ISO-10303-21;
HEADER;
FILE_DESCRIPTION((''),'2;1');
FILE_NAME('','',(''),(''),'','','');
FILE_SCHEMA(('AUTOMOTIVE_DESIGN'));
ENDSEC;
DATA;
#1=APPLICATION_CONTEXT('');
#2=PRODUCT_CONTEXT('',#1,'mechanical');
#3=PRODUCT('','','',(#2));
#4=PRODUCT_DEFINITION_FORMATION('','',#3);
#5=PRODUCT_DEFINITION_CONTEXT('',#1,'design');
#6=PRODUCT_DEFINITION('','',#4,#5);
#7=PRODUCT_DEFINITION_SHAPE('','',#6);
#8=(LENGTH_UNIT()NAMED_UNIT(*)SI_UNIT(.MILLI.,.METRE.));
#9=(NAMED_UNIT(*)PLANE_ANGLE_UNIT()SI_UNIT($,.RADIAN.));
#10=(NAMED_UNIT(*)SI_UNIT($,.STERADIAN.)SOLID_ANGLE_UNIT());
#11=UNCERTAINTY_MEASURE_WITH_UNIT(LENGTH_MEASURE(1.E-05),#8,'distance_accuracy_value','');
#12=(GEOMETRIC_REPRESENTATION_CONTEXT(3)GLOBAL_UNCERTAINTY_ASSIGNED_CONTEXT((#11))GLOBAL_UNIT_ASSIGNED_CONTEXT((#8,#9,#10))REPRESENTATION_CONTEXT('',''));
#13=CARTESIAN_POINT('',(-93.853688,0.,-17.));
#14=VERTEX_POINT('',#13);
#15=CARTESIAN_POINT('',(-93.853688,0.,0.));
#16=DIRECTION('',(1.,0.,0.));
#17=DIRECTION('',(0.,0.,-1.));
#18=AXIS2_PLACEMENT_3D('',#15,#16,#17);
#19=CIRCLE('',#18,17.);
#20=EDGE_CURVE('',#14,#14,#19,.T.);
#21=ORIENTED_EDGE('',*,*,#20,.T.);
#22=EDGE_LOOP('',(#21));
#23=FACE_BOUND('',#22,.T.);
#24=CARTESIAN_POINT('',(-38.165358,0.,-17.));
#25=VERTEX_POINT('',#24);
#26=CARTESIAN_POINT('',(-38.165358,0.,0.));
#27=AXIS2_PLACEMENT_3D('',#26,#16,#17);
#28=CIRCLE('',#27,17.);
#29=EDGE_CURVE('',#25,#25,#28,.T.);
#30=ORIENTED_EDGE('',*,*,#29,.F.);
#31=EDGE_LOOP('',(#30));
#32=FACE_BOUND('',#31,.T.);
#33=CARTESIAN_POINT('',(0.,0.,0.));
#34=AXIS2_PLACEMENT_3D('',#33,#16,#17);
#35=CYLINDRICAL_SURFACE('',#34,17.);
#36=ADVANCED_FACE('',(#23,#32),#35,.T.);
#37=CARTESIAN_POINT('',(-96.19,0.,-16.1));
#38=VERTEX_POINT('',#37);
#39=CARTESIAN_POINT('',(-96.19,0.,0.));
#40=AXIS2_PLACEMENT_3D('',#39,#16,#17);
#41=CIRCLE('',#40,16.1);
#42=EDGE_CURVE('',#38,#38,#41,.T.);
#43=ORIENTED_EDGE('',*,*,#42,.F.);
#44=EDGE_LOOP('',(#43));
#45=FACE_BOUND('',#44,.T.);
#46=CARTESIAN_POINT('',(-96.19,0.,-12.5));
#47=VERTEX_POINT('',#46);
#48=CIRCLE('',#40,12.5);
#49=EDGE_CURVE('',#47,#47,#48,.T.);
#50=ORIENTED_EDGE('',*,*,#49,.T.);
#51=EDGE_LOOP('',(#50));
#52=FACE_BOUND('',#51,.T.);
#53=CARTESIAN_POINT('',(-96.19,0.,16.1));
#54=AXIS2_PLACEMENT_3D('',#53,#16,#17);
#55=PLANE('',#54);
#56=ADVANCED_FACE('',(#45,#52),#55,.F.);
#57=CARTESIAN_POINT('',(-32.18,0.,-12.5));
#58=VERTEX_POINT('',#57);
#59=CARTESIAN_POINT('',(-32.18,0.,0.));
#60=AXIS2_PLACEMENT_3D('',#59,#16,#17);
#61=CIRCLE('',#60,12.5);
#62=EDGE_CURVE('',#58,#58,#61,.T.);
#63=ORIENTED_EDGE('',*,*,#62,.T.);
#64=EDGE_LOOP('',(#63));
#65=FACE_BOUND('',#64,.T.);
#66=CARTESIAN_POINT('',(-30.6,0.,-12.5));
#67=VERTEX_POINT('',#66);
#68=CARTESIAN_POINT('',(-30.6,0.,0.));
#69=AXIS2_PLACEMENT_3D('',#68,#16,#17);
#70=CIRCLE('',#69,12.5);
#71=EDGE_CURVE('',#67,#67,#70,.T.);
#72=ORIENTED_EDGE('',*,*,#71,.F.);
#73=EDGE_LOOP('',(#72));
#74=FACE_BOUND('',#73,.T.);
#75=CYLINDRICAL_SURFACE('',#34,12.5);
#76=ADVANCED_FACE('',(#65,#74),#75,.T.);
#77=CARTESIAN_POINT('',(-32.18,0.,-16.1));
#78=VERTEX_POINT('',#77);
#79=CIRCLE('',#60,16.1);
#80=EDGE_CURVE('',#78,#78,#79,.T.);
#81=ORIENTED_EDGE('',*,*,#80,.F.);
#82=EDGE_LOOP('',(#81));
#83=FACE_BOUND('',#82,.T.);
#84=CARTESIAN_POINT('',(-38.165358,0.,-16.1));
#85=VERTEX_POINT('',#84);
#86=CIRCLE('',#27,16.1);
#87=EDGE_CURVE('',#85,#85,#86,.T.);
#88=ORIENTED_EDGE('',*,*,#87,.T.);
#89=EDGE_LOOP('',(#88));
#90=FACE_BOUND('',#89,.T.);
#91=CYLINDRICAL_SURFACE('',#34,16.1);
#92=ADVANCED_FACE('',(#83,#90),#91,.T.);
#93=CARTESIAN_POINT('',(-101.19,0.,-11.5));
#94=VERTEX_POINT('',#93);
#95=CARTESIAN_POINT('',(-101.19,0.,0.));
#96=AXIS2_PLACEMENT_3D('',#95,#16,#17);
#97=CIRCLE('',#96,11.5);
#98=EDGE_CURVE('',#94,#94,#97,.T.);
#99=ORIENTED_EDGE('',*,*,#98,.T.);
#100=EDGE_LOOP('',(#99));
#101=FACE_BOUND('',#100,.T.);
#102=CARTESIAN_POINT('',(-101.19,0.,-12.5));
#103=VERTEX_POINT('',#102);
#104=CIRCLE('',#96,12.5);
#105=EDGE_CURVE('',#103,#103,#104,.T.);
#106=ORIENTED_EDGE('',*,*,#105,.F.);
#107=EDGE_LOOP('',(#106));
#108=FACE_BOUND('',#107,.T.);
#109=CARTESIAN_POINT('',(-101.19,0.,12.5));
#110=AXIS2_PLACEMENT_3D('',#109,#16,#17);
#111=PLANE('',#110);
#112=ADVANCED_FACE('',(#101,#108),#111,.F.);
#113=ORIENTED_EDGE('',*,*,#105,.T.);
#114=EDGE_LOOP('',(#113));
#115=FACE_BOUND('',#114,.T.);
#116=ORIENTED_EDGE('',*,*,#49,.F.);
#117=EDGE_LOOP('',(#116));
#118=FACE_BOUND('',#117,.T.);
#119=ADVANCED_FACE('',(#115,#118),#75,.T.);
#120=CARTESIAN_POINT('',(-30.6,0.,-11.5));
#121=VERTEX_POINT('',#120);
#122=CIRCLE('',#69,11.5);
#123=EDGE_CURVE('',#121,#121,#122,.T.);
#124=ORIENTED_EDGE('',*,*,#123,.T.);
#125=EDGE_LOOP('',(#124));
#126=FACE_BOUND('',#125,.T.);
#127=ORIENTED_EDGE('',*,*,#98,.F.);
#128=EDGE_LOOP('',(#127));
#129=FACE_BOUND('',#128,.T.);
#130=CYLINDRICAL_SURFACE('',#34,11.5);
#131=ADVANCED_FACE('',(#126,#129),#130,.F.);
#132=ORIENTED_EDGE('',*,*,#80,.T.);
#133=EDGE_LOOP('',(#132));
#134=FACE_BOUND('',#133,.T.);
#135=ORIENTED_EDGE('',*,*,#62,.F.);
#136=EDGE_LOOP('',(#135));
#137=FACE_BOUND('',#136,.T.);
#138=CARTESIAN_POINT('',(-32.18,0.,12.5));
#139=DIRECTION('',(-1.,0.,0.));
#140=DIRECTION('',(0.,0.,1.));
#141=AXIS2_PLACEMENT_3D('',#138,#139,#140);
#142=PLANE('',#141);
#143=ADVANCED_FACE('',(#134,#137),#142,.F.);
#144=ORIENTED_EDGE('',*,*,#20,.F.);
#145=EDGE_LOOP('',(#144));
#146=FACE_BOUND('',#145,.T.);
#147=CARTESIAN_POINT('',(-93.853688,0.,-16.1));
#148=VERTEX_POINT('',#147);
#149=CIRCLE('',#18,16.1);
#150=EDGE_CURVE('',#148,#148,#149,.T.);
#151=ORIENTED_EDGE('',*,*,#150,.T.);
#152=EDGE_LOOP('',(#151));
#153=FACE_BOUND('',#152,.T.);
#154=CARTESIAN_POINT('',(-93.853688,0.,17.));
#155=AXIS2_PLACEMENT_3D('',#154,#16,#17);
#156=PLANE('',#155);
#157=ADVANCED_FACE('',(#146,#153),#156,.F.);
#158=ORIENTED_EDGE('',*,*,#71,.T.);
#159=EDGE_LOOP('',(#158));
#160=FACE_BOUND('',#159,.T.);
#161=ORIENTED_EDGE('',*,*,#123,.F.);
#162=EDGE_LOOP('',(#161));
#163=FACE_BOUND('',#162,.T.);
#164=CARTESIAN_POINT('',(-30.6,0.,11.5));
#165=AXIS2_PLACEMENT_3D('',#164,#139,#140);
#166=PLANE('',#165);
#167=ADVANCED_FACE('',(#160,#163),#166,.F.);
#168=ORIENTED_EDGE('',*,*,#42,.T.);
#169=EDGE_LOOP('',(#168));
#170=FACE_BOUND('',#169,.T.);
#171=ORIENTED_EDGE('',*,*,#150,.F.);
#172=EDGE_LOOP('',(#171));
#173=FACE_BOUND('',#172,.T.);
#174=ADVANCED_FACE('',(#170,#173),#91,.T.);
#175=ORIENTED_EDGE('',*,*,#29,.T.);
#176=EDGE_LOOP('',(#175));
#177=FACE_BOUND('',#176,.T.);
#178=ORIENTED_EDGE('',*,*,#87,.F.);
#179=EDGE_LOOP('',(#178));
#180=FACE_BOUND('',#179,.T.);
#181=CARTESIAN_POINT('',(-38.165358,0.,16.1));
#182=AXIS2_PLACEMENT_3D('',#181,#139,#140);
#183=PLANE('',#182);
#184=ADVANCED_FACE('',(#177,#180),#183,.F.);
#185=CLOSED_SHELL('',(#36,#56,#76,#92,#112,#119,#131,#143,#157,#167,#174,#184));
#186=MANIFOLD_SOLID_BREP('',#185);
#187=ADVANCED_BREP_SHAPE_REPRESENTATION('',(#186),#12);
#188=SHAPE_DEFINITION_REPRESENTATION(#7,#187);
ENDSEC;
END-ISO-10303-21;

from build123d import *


with BuildPart() as part:
    # Sketch1 → Revolve1 (revolve)
    with BuildSketch(Plane(origin=(0, 0, 0), x_dir=(1, 0, 0), z_dir=(0, 1, 0)), mode=Mode.PRIVATE) as revolve1_sk:
        Polygon((-30.6, -11.5), (-30.6, -12.5), (-32.18, -12.5), (-32.18, -16.1), (-38.165357856, -16.1), (-38.165357856, -17), (-93.853687868, -17), (-93.853687868, -16.1), (-96.19, -16.1), (-96.19, -12.5), (-101.19, -12.5), (-101.19, -11.5), align=None)
    revolve(revolve1_sk.sketch.rotate(Axis((0, 0, 0), (-1, 0, 0)), 180), axis=Axis((0, 0, 0), (-1, 0, 0)))


solid = part.part
